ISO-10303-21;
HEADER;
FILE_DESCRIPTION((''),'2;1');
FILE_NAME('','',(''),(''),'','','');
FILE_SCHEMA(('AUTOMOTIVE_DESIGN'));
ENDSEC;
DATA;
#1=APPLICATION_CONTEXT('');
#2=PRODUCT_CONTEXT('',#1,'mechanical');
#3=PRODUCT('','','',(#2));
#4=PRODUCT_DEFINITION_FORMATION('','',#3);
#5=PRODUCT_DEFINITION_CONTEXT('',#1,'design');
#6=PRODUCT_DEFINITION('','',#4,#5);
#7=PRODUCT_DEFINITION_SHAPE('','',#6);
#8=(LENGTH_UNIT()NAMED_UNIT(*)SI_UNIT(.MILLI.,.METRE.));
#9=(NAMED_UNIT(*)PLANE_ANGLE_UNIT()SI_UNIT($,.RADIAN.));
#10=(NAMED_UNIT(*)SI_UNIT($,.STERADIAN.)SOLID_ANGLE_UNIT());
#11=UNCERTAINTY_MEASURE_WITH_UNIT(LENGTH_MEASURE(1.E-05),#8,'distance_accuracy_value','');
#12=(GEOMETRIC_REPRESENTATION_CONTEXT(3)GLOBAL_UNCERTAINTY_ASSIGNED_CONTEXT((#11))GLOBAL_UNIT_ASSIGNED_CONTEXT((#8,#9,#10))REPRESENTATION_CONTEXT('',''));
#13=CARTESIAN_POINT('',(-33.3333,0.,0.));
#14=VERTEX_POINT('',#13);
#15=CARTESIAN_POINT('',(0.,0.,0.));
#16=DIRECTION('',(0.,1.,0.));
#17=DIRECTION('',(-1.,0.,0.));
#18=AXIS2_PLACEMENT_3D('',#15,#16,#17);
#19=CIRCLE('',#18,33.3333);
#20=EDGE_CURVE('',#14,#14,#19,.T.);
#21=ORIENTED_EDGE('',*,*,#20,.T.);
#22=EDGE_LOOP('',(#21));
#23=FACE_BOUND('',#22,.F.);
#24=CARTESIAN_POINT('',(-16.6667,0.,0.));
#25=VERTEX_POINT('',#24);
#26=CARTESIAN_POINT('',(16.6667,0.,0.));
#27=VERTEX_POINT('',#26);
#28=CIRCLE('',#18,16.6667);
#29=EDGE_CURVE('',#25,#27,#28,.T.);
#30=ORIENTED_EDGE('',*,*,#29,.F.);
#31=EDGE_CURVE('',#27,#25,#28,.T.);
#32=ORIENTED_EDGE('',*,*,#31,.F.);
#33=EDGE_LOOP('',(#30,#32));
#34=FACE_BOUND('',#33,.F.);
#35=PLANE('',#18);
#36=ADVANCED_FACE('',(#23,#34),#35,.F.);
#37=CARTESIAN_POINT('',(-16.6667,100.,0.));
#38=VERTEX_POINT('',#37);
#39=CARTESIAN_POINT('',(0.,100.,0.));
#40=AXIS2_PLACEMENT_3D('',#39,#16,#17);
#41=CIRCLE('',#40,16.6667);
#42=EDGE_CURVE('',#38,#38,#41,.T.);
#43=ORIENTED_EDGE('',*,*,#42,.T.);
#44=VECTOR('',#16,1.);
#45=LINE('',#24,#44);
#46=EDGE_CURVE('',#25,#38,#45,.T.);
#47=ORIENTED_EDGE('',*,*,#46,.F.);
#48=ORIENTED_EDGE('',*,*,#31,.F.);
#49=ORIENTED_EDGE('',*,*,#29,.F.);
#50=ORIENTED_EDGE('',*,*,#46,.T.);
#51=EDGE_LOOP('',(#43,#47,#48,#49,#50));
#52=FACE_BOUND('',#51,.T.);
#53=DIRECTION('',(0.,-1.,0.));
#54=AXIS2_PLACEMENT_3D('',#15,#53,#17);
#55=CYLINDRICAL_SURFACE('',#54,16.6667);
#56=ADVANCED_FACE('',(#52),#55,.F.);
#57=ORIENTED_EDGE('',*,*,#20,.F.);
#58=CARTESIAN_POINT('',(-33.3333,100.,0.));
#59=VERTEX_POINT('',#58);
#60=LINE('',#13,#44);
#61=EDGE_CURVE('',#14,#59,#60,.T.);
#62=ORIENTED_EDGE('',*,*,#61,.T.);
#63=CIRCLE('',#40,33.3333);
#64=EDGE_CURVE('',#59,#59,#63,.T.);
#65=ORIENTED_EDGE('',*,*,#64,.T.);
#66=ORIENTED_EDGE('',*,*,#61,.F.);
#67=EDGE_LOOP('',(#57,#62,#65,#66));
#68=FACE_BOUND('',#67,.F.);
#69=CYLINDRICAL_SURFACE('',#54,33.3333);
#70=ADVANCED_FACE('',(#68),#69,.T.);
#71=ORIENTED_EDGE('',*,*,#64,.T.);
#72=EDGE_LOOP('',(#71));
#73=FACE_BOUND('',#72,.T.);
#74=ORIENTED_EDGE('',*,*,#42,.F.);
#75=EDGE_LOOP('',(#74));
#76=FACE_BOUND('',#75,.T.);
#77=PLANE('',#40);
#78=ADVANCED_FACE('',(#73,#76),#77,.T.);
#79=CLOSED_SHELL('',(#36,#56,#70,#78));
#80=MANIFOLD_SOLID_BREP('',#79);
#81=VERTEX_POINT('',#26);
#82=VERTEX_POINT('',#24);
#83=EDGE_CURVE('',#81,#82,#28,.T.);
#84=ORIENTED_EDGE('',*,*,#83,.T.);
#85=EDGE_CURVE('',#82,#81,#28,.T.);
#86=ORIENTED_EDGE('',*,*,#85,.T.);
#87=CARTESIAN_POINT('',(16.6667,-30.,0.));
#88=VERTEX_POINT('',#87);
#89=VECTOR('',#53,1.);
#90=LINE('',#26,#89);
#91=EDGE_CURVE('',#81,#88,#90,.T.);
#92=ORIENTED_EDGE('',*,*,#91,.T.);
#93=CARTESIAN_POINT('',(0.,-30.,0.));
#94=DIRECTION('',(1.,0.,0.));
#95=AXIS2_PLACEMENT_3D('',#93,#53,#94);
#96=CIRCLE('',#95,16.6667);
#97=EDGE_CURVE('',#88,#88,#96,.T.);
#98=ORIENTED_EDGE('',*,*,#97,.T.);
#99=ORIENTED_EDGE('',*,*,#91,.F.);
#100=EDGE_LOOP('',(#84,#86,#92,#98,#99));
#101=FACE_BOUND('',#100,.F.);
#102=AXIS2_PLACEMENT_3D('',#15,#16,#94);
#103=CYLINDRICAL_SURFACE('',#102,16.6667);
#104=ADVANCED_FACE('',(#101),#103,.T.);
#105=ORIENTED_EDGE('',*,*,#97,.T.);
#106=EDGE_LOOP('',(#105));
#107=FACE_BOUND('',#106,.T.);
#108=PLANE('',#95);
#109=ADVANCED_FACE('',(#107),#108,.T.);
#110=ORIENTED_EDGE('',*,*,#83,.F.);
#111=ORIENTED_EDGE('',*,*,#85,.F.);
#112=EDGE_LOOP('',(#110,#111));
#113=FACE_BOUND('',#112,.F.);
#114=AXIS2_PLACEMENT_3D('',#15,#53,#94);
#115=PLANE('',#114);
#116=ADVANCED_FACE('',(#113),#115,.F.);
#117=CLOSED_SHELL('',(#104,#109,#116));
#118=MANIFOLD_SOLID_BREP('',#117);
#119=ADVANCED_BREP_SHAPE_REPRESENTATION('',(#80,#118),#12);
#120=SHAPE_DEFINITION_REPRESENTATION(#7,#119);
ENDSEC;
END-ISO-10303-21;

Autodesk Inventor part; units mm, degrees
ref_plane "YZ Plane" through (0, 0, 0) normal (1, 0, 0) x (0, 1, 0)
ref_plane "XZ Plane" through (0, 0, 0) normal (0, 1, 0) x (-1, 0, 0)
ref_plane "XY Plane" through (0, 0, 0) normal (0, 0, 1) x (1, 0, 0)
sketch "Boceto1" plane through (0, 0, 0) normal (0, 1, 0) x (-1, 0, 0)
  circle A0 centre (0, 0) radius 33.3333
  circle A1 centre (0, 0) radius 16.6667
  dimension "d0" = 66.6667
  dimension "d1" = 33.3333
extrude "Extrusión1" add sketch "Boceto1" along normal blind 100
sketch "Boceto2" plane through (0, 0, 0) normal (0, -1, 0) x (1, 0, 0)
  circle A0 centre (0, 0) radius 16.6667 projected
extrude "Extrusión2" add sketch "Boceto2" along normal blind 30
properties part number "Rodillo2"
